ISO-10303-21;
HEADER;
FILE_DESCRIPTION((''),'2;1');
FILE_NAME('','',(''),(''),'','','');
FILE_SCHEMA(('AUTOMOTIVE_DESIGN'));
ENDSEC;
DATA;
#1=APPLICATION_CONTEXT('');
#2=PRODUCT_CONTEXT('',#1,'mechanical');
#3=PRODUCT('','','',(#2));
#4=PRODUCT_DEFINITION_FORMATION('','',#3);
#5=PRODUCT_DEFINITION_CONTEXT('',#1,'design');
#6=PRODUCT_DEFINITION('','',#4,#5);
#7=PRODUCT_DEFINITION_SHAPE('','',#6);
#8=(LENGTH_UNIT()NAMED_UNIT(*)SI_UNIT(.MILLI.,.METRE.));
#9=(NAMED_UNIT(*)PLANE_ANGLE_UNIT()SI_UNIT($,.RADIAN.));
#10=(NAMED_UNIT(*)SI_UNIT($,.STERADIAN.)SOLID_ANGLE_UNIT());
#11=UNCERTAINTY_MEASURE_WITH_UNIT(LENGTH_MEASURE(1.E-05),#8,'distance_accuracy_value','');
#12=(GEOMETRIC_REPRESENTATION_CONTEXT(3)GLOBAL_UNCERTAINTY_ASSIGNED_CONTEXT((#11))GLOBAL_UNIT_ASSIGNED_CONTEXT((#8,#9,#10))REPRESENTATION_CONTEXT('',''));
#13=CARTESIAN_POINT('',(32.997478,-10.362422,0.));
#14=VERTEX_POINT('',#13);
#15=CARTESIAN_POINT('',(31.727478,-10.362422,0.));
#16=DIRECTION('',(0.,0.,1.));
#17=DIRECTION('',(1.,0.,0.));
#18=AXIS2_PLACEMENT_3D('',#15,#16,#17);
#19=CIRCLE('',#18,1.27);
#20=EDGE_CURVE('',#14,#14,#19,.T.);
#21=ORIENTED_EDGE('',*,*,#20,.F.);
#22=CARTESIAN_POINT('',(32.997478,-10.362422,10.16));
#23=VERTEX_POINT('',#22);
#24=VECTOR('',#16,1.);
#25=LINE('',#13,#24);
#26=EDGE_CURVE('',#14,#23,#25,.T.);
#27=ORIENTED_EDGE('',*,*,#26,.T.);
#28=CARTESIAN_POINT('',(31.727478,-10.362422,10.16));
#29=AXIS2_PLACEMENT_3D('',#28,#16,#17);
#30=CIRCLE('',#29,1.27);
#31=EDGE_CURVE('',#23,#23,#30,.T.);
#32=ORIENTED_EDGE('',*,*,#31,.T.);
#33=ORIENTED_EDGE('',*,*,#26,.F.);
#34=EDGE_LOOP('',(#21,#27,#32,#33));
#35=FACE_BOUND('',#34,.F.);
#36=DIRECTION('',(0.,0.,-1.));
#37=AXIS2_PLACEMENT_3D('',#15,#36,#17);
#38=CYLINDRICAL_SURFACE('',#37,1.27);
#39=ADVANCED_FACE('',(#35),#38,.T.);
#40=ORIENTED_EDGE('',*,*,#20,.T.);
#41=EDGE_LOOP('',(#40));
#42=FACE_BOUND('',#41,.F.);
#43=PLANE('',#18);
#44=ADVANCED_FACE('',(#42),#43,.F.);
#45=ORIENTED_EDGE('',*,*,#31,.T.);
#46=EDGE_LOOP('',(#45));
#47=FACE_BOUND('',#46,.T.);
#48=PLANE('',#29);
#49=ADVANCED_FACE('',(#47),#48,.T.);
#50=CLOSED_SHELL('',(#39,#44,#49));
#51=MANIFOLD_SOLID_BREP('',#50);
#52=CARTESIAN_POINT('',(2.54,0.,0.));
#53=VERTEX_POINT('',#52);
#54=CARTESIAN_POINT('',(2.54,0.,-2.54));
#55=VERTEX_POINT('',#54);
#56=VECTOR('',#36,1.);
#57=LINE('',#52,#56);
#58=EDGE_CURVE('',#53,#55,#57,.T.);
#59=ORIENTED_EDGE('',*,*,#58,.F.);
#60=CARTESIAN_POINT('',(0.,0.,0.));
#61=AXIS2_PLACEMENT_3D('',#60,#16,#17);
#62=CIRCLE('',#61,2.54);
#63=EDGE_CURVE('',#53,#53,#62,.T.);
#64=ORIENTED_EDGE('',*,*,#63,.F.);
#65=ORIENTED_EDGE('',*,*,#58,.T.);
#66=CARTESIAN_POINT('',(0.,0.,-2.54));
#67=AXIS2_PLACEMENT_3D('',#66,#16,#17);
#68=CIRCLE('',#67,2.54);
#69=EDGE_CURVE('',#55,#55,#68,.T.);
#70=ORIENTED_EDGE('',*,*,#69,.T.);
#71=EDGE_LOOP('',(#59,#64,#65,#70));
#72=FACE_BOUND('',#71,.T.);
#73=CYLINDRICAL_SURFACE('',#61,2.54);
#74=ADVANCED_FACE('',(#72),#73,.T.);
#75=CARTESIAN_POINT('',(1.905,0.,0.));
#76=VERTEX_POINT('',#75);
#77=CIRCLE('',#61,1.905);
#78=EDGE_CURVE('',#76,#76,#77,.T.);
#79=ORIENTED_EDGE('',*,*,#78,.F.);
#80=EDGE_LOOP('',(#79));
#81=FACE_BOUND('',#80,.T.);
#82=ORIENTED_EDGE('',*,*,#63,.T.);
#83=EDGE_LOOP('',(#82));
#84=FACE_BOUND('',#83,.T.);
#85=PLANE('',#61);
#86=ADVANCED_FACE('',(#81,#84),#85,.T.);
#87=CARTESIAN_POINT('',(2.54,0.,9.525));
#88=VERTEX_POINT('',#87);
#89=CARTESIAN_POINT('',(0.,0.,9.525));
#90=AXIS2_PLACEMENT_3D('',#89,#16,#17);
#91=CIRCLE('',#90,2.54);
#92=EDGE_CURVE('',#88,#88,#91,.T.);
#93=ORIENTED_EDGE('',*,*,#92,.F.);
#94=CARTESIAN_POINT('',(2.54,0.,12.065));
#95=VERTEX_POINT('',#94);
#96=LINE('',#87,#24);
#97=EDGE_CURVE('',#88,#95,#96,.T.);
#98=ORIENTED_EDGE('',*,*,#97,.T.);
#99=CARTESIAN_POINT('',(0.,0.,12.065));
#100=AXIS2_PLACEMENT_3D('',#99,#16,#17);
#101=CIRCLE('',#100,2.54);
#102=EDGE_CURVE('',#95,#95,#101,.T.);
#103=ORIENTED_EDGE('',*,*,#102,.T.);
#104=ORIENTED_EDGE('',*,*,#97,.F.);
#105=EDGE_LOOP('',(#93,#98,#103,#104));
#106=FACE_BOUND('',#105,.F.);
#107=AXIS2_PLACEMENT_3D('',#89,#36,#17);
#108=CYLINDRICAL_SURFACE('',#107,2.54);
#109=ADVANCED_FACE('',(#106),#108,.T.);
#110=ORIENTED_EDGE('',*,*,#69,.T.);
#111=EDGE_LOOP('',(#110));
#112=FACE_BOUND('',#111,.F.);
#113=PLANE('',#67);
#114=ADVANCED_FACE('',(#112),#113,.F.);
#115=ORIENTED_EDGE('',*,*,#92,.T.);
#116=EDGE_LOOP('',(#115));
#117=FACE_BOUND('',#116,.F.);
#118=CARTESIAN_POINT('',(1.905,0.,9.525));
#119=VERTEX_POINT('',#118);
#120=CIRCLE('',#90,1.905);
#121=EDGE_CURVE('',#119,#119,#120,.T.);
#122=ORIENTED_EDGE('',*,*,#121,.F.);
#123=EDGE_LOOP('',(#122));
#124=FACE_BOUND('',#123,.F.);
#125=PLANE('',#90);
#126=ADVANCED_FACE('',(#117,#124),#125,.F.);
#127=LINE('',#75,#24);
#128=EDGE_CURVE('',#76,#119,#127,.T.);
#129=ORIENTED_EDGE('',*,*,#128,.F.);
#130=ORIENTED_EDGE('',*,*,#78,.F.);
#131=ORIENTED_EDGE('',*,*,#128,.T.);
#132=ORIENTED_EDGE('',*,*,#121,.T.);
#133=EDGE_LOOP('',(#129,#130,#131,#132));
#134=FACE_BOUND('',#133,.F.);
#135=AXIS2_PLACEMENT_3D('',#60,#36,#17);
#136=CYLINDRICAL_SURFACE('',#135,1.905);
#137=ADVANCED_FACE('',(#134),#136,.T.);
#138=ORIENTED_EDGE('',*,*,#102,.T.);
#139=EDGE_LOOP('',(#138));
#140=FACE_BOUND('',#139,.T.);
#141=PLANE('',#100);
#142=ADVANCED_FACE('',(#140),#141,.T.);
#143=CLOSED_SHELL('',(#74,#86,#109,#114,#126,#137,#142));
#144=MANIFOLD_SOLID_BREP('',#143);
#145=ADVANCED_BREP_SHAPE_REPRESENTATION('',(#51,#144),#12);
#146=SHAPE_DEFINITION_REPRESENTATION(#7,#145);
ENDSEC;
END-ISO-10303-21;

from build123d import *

# Parameters (mm, degrees)
F0_R     = 2.54
F0_R_2   = 1.905
F1_DEPTH = 2.54
F2_DEPTH = 9.525
F3_R     = 2.54
F4_DEPTH = 2.54
F5_R     = 1.27
F6_DEPTH = 10.16


with BuildPart() as f1:
    # F0 (on Top) → F1 (new body)
    with BuildSketch(Plane.XY):
        Circle(F0_R)
        Circle(F0_R_2, mode=Mode.SUBTRACT)
        Circle(F0_R_2)
    extrude(amount=-F1_DEPTH)

    # F0 (on Top) → F2 (join)
    with BuildSketch(Plane.XY):
        Circle(F0_R_2)
    extrude(amount=F2_DEPTH)

    # F3 (on face) → F4 (join)
    with BuildSketch(Plane.XY.offset(9.525)):
        Circle(F3_R)
    extrude(amount=F4_DEPTH)


with BuildPart() as f6:
    # F5 (on Top) → F6 (new body)
    with BuildSketch(Plane.XY):
        with Locations((31.7274779081, -10.3624220937)):
            Circle(F5_R)
    extrude(amount=F6_DEPTH)


solid = Compound([f1.part, f6.part])
